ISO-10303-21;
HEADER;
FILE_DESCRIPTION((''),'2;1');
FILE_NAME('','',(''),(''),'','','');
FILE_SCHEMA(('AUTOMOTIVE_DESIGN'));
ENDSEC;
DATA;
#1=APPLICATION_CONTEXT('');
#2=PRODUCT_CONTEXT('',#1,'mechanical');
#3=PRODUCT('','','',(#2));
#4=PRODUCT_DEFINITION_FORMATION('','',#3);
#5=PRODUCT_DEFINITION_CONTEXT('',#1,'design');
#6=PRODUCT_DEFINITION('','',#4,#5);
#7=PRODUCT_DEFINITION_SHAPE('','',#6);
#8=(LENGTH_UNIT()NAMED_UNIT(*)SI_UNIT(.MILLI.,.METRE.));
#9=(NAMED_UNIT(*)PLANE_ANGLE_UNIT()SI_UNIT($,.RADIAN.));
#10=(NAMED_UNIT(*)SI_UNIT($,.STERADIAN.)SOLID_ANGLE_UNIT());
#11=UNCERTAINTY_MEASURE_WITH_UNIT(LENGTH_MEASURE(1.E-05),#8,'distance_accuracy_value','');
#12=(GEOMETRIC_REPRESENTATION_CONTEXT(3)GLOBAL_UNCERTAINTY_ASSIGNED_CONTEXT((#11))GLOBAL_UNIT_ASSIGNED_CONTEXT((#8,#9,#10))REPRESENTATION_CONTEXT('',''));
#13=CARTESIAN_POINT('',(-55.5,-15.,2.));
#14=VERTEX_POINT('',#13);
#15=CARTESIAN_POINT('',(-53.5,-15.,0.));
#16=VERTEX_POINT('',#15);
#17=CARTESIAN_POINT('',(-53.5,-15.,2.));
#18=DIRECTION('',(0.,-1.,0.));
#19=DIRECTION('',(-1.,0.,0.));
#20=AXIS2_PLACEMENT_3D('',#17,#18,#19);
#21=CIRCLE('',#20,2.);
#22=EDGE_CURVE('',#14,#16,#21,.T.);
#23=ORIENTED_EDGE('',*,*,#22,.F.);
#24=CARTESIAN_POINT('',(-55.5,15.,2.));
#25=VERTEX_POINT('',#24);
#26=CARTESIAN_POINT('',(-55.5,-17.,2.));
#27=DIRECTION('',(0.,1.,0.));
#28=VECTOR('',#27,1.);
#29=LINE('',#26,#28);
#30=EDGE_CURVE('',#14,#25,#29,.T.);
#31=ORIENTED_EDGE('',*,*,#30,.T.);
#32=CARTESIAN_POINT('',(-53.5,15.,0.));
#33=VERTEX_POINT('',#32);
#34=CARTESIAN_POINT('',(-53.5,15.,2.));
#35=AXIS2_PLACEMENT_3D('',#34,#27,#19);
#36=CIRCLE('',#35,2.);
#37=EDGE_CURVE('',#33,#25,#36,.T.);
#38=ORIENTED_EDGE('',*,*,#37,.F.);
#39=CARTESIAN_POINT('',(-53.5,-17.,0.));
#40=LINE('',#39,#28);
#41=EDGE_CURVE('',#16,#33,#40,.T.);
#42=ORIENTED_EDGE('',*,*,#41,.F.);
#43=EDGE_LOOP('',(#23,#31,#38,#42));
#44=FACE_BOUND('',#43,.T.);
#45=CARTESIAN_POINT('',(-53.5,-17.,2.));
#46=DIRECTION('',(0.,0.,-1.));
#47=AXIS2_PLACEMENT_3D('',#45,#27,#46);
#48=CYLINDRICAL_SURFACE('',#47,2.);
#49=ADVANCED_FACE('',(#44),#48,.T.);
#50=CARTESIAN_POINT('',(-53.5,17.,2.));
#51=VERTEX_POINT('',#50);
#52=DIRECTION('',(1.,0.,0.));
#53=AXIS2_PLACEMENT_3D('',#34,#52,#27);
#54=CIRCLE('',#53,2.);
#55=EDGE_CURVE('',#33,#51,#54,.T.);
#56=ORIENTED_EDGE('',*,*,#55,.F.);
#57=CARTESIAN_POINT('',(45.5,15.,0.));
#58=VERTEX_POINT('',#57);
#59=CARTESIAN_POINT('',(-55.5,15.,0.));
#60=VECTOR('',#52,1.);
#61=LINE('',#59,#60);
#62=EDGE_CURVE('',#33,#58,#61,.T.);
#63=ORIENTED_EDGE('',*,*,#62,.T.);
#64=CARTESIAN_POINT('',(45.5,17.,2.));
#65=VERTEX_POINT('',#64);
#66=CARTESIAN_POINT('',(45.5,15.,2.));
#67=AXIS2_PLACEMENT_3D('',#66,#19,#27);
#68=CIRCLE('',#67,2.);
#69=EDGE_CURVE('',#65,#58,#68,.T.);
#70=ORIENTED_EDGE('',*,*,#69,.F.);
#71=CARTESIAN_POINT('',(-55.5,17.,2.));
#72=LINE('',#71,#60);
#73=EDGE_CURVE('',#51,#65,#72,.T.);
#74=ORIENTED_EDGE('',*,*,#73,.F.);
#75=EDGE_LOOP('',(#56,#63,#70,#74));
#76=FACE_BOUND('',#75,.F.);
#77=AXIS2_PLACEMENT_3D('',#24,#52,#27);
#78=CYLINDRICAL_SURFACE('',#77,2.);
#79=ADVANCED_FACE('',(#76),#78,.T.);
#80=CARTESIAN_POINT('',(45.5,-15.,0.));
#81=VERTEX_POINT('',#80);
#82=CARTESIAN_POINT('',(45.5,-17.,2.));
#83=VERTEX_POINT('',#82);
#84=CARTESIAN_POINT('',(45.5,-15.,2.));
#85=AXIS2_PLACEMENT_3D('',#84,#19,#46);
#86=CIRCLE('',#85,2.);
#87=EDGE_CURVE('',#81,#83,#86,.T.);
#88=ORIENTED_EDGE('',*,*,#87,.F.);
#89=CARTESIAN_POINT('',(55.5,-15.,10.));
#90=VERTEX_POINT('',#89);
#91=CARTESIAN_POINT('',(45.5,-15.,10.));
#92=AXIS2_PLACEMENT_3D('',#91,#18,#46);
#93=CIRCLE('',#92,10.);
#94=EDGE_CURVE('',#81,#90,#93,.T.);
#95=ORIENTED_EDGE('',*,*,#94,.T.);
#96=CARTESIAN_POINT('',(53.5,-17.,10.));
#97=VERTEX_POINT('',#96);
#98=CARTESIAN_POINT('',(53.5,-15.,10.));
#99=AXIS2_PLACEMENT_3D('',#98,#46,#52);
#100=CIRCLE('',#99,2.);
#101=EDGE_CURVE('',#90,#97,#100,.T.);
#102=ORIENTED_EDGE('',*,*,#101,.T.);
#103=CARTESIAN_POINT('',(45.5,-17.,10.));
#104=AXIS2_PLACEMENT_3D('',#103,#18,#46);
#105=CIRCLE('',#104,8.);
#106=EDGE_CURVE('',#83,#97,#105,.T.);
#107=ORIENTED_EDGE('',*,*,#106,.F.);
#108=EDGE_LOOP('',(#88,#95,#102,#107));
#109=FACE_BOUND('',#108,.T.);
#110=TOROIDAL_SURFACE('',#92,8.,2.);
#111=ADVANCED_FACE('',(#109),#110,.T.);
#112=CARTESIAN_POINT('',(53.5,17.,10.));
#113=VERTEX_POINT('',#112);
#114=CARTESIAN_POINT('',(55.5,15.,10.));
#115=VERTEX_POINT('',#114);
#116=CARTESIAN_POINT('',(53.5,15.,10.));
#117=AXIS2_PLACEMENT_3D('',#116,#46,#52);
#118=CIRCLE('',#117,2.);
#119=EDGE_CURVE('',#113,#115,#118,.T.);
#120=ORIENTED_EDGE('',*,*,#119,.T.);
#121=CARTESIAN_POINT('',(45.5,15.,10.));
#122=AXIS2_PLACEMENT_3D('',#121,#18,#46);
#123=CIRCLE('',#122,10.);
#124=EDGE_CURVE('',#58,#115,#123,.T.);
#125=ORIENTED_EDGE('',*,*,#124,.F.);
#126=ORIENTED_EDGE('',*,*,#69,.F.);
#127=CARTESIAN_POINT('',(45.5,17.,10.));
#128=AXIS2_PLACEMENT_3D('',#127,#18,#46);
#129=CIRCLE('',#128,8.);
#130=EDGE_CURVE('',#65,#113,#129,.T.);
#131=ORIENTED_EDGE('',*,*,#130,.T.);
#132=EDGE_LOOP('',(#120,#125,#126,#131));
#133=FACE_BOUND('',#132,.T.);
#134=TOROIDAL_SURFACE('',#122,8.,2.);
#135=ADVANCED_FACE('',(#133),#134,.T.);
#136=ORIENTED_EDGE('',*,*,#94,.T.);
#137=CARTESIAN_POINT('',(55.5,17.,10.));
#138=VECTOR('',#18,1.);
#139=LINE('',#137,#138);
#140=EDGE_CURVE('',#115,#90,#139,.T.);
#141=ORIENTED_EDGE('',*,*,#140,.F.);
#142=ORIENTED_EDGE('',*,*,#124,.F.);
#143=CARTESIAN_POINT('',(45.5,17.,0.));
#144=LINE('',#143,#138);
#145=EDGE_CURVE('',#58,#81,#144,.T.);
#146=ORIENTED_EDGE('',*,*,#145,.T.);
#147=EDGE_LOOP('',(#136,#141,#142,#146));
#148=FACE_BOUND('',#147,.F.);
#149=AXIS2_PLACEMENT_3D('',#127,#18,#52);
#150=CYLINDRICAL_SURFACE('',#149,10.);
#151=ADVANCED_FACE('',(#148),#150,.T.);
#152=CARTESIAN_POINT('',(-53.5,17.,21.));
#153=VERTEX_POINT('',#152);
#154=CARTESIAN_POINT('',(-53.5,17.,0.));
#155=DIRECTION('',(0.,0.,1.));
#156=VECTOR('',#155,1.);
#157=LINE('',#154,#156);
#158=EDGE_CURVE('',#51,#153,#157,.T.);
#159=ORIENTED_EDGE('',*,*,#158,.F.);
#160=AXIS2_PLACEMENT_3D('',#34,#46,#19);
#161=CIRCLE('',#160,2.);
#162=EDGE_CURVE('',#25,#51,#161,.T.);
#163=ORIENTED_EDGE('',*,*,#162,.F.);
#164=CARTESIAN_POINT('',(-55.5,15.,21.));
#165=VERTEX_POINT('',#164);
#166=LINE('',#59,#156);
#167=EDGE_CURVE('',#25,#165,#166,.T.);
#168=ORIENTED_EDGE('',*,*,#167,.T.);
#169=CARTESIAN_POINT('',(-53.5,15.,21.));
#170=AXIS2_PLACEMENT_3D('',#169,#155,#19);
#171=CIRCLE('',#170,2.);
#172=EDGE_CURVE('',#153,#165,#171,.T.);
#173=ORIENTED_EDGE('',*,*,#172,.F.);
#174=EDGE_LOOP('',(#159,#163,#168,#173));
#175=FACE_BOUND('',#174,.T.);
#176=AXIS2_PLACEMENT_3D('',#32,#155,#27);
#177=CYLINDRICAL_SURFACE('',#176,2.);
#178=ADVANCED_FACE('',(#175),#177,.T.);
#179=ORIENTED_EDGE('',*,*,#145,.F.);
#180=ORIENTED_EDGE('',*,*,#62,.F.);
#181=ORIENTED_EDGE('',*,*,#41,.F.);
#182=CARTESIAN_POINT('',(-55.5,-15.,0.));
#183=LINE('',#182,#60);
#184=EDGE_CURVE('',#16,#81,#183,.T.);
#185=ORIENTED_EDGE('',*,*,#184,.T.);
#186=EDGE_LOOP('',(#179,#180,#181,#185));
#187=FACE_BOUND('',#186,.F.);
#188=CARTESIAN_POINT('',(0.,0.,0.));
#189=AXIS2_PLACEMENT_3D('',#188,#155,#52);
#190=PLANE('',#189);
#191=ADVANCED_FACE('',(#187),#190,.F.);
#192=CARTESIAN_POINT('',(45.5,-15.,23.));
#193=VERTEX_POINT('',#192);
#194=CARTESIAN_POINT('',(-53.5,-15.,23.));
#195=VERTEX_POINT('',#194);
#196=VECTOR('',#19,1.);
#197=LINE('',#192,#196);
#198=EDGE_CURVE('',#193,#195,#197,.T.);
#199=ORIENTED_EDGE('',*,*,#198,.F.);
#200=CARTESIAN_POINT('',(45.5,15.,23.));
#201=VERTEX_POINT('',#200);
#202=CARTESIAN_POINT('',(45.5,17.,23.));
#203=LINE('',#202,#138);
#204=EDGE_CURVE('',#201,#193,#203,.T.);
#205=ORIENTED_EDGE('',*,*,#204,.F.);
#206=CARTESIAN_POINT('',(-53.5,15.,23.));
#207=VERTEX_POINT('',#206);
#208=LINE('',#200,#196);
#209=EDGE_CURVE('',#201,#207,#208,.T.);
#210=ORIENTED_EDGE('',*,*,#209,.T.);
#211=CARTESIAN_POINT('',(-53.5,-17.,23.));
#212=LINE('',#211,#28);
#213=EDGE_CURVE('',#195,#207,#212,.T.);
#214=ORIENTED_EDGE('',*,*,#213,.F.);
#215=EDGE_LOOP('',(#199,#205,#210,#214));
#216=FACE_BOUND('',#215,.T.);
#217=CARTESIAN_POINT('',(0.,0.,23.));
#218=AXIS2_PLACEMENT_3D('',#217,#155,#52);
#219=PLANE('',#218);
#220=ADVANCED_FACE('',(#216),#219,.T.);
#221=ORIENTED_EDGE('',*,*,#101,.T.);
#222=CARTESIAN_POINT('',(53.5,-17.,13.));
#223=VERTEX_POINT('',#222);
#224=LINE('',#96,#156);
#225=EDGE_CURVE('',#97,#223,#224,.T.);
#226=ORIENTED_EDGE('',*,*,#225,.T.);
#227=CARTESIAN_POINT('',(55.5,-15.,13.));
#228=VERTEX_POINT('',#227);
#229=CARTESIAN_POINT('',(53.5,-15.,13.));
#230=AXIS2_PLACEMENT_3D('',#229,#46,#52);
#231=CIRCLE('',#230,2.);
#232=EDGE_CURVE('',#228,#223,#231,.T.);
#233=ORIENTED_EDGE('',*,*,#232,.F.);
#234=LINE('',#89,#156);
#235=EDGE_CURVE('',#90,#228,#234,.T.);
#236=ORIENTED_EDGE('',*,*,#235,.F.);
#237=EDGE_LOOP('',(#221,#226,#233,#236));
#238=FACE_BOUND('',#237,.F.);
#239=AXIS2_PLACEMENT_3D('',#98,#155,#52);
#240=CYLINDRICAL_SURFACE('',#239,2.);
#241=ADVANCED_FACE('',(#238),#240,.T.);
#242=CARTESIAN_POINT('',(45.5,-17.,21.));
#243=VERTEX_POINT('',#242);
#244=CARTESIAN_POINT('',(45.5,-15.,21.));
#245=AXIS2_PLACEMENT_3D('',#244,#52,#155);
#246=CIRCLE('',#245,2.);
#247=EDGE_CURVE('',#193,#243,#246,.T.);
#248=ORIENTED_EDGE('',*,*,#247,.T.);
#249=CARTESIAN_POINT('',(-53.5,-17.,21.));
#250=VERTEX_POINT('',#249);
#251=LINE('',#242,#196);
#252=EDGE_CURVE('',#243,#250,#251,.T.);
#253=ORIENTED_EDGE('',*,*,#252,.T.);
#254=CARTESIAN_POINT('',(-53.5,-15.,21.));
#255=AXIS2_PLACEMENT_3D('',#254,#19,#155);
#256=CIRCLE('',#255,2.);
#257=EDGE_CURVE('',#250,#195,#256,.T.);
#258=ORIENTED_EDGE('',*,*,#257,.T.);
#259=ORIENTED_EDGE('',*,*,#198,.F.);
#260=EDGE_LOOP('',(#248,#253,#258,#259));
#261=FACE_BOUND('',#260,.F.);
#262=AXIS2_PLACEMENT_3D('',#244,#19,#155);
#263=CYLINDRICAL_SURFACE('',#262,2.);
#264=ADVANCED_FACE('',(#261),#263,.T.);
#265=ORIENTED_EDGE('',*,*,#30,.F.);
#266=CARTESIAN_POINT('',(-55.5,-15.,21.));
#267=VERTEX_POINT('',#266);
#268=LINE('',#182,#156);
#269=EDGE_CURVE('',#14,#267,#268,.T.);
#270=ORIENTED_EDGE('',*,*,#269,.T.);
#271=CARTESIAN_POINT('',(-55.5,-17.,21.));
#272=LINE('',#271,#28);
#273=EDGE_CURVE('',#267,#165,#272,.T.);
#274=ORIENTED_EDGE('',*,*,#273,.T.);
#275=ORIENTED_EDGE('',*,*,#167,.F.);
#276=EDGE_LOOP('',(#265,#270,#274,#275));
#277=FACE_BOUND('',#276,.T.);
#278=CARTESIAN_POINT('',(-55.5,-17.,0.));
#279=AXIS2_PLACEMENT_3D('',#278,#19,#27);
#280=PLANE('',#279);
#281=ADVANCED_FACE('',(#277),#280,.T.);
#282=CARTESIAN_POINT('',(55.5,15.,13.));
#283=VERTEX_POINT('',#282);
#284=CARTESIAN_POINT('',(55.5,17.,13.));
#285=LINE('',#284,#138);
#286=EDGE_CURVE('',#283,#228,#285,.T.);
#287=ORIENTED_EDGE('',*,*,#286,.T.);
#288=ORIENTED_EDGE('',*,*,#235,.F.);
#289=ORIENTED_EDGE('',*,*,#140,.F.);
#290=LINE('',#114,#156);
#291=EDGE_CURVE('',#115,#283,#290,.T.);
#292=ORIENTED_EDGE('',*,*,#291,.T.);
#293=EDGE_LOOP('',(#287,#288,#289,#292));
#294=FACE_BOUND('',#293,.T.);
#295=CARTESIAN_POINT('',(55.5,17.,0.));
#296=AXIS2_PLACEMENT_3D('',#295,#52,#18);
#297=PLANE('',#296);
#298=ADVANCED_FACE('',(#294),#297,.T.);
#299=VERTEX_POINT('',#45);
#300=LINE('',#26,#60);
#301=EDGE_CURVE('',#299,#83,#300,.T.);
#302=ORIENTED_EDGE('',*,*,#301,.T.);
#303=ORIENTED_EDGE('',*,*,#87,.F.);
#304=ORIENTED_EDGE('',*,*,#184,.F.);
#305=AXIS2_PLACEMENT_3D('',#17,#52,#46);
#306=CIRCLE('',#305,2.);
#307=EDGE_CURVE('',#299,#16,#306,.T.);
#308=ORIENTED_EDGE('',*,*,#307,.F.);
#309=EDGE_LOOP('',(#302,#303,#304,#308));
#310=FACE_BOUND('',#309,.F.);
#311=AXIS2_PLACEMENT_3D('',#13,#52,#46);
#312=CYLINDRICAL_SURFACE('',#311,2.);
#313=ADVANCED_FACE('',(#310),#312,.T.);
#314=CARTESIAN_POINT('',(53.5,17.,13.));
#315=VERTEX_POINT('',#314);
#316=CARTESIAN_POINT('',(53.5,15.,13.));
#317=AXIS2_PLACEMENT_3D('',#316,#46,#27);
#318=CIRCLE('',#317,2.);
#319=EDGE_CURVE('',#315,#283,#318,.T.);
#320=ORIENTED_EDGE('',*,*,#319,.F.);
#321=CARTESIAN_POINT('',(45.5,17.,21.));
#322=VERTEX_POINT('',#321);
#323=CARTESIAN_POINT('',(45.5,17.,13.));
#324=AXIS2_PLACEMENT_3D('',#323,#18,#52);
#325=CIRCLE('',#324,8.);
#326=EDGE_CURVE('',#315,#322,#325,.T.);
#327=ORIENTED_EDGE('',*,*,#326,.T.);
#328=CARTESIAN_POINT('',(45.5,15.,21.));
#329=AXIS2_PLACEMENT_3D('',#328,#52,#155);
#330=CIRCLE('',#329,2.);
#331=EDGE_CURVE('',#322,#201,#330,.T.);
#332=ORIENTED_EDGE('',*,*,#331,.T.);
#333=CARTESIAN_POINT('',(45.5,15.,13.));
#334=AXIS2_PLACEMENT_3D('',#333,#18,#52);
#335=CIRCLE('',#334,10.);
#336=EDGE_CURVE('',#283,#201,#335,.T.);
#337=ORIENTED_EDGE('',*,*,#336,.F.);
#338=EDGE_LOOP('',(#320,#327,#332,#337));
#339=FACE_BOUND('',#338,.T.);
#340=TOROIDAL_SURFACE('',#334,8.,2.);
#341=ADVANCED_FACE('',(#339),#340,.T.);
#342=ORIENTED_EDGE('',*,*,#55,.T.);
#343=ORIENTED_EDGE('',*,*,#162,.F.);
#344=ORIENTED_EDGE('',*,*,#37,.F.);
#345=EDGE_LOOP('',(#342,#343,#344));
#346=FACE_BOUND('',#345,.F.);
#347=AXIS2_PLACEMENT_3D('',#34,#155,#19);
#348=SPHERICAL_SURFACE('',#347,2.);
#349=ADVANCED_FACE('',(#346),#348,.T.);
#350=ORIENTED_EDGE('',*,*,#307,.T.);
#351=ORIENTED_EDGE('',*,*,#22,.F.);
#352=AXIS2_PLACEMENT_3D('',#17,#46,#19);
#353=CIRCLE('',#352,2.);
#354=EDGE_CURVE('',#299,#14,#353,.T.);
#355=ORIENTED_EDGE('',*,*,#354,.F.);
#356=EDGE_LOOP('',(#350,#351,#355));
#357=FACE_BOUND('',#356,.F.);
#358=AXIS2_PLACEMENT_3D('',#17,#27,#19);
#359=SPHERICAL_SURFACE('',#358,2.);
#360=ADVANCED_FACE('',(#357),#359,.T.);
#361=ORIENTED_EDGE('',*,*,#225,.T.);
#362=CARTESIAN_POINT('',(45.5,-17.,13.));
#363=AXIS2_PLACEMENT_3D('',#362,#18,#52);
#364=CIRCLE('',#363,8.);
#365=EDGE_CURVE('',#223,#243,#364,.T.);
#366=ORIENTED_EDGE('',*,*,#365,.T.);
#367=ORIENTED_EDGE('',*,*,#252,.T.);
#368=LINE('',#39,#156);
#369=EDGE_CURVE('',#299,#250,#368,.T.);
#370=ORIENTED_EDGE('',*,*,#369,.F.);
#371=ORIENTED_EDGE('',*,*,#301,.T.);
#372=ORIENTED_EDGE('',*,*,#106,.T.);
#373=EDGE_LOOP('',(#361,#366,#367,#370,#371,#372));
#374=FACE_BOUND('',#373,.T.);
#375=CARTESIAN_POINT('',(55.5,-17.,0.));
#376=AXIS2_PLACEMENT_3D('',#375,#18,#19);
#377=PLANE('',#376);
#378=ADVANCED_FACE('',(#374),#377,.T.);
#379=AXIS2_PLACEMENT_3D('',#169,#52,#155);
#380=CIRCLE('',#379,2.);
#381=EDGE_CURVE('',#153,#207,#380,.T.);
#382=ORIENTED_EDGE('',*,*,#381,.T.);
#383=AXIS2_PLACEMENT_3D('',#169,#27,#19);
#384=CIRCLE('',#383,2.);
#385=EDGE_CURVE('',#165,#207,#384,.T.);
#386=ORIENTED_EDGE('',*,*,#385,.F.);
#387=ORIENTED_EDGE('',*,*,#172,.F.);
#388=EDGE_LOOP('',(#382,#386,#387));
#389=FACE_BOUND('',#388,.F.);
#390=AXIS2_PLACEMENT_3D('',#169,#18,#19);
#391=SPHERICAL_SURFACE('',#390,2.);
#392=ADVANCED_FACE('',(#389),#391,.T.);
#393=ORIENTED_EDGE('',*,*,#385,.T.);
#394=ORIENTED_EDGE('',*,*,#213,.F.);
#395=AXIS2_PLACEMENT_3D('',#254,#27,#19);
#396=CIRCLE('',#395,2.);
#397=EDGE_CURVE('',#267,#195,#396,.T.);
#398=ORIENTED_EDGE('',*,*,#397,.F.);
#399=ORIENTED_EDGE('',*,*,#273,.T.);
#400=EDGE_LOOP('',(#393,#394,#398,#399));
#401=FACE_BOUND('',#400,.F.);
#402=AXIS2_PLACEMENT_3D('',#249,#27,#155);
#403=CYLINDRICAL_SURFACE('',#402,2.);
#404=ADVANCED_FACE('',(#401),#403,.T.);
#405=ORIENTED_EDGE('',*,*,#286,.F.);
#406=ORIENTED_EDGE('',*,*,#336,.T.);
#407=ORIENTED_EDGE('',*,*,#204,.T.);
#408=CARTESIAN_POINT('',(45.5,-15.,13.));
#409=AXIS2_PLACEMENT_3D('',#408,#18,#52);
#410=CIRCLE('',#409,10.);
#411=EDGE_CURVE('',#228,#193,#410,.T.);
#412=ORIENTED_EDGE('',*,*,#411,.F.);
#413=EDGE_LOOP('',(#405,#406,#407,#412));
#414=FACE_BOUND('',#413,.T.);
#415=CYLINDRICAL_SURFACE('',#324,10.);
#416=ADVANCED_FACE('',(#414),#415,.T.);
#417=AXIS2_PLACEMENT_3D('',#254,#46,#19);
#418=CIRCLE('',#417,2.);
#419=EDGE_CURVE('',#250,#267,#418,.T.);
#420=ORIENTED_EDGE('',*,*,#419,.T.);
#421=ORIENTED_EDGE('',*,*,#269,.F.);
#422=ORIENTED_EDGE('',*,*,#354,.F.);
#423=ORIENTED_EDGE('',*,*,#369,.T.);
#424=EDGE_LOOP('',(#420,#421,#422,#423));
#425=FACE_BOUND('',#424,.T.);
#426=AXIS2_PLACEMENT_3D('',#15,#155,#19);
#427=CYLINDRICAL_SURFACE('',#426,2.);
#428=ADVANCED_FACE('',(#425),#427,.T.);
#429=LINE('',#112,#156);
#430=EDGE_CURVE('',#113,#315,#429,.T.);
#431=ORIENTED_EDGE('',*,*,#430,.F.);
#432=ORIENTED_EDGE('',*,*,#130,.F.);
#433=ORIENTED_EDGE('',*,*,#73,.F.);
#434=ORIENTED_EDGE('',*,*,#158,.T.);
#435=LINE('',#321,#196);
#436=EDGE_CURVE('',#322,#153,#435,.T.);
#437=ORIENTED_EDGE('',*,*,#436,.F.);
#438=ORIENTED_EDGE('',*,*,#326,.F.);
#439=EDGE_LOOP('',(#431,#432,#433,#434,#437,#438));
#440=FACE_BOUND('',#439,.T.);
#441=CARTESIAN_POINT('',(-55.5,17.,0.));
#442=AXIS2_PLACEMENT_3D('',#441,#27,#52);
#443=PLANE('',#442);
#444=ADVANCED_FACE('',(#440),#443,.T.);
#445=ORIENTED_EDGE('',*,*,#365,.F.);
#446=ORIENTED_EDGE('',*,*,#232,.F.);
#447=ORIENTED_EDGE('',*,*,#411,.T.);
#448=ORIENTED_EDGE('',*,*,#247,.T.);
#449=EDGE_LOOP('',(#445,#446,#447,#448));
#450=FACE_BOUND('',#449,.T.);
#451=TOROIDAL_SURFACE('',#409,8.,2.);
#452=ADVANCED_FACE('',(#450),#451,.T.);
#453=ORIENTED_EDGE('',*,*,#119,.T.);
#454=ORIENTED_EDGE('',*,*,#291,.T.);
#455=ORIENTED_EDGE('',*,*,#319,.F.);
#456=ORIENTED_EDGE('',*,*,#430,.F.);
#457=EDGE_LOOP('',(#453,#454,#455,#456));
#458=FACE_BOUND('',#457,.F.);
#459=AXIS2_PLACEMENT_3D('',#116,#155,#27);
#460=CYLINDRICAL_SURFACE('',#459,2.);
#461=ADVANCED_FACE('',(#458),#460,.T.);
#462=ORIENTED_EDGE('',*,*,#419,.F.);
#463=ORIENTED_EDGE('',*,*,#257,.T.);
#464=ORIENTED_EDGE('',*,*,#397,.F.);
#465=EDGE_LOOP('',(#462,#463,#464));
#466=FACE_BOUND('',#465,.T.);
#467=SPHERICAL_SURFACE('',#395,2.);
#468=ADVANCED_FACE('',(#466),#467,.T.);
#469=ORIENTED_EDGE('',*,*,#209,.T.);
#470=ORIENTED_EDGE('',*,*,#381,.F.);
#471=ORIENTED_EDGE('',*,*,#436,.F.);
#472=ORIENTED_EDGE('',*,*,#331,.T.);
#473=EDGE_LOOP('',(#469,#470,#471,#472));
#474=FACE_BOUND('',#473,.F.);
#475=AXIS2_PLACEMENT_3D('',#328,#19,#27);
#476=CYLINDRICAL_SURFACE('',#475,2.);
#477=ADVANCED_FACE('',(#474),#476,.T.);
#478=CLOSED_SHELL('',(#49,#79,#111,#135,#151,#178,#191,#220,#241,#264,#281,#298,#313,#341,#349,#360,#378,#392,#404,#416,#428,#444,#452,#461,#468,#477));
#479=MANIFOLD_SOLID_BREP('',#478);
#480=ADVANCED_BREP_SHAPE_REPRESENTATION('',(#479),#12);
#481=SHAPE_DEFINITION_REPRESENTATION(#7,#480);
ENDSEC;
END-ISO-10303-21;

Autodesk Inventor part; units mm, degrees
ref_plane "YZ Plane" through (0, 0, 0) normal (1, 0, 0) x (0, 1, 0)
ref_plane "XZ Plane" through (0, 0, 0) normal (0, 1, 0) x (-1, 0, 0)
ref_plane "XY Plane" through (0, 0, 0) normal (0, 0, 1) x (1, 0, 0)
sketch "スケッチ1" plane through (0, 0, 0) normal (0, 0, 1) x (1, 0, 0)
  line L0 (-55.5, 17) -> (55.5, 17)
  line L1 (55.5, 17) -> (55.5, -17)
  line L2 (55.5, -17) -> (-55.5, -17)
  line L3 (-55.5, -17) -> (-55.5, 17)
  line L4 (-55.5, 17) -> (55.5, -17) construction
  line L5 (55.5, 17) -> (-55.5, -17) construction
  point P0 (0, 0)
  dimension "d0" = 111
  dimension "d1" = 34
extrude "押し出し1" add sketch "スケッチ1" along normal blind 23
fillet "フィレット1" radius 10 2 edges at (55.5, 0, 23) (55.5, 0, 0)
fillet "フィレット2" radius 2 14 edges at (-55.5, 0, 23) (-55.5, 17, 11.5) (-55.5, 0, 0) (-55.5, -17, 11.5) (52.5711, 17, 20.0711) (55.5, 17, 11.5) (52.5711, 17, 2.9289) (-5, 17, 0) (-5, 17, 23) (52.5711, -17, 20.0711) (55.5, -17, 11.5) (52.5711, -17, 2.9289) (-5, -17, 0) (-5, -17, 23)
properties part number "HP-G830C2800S3"
